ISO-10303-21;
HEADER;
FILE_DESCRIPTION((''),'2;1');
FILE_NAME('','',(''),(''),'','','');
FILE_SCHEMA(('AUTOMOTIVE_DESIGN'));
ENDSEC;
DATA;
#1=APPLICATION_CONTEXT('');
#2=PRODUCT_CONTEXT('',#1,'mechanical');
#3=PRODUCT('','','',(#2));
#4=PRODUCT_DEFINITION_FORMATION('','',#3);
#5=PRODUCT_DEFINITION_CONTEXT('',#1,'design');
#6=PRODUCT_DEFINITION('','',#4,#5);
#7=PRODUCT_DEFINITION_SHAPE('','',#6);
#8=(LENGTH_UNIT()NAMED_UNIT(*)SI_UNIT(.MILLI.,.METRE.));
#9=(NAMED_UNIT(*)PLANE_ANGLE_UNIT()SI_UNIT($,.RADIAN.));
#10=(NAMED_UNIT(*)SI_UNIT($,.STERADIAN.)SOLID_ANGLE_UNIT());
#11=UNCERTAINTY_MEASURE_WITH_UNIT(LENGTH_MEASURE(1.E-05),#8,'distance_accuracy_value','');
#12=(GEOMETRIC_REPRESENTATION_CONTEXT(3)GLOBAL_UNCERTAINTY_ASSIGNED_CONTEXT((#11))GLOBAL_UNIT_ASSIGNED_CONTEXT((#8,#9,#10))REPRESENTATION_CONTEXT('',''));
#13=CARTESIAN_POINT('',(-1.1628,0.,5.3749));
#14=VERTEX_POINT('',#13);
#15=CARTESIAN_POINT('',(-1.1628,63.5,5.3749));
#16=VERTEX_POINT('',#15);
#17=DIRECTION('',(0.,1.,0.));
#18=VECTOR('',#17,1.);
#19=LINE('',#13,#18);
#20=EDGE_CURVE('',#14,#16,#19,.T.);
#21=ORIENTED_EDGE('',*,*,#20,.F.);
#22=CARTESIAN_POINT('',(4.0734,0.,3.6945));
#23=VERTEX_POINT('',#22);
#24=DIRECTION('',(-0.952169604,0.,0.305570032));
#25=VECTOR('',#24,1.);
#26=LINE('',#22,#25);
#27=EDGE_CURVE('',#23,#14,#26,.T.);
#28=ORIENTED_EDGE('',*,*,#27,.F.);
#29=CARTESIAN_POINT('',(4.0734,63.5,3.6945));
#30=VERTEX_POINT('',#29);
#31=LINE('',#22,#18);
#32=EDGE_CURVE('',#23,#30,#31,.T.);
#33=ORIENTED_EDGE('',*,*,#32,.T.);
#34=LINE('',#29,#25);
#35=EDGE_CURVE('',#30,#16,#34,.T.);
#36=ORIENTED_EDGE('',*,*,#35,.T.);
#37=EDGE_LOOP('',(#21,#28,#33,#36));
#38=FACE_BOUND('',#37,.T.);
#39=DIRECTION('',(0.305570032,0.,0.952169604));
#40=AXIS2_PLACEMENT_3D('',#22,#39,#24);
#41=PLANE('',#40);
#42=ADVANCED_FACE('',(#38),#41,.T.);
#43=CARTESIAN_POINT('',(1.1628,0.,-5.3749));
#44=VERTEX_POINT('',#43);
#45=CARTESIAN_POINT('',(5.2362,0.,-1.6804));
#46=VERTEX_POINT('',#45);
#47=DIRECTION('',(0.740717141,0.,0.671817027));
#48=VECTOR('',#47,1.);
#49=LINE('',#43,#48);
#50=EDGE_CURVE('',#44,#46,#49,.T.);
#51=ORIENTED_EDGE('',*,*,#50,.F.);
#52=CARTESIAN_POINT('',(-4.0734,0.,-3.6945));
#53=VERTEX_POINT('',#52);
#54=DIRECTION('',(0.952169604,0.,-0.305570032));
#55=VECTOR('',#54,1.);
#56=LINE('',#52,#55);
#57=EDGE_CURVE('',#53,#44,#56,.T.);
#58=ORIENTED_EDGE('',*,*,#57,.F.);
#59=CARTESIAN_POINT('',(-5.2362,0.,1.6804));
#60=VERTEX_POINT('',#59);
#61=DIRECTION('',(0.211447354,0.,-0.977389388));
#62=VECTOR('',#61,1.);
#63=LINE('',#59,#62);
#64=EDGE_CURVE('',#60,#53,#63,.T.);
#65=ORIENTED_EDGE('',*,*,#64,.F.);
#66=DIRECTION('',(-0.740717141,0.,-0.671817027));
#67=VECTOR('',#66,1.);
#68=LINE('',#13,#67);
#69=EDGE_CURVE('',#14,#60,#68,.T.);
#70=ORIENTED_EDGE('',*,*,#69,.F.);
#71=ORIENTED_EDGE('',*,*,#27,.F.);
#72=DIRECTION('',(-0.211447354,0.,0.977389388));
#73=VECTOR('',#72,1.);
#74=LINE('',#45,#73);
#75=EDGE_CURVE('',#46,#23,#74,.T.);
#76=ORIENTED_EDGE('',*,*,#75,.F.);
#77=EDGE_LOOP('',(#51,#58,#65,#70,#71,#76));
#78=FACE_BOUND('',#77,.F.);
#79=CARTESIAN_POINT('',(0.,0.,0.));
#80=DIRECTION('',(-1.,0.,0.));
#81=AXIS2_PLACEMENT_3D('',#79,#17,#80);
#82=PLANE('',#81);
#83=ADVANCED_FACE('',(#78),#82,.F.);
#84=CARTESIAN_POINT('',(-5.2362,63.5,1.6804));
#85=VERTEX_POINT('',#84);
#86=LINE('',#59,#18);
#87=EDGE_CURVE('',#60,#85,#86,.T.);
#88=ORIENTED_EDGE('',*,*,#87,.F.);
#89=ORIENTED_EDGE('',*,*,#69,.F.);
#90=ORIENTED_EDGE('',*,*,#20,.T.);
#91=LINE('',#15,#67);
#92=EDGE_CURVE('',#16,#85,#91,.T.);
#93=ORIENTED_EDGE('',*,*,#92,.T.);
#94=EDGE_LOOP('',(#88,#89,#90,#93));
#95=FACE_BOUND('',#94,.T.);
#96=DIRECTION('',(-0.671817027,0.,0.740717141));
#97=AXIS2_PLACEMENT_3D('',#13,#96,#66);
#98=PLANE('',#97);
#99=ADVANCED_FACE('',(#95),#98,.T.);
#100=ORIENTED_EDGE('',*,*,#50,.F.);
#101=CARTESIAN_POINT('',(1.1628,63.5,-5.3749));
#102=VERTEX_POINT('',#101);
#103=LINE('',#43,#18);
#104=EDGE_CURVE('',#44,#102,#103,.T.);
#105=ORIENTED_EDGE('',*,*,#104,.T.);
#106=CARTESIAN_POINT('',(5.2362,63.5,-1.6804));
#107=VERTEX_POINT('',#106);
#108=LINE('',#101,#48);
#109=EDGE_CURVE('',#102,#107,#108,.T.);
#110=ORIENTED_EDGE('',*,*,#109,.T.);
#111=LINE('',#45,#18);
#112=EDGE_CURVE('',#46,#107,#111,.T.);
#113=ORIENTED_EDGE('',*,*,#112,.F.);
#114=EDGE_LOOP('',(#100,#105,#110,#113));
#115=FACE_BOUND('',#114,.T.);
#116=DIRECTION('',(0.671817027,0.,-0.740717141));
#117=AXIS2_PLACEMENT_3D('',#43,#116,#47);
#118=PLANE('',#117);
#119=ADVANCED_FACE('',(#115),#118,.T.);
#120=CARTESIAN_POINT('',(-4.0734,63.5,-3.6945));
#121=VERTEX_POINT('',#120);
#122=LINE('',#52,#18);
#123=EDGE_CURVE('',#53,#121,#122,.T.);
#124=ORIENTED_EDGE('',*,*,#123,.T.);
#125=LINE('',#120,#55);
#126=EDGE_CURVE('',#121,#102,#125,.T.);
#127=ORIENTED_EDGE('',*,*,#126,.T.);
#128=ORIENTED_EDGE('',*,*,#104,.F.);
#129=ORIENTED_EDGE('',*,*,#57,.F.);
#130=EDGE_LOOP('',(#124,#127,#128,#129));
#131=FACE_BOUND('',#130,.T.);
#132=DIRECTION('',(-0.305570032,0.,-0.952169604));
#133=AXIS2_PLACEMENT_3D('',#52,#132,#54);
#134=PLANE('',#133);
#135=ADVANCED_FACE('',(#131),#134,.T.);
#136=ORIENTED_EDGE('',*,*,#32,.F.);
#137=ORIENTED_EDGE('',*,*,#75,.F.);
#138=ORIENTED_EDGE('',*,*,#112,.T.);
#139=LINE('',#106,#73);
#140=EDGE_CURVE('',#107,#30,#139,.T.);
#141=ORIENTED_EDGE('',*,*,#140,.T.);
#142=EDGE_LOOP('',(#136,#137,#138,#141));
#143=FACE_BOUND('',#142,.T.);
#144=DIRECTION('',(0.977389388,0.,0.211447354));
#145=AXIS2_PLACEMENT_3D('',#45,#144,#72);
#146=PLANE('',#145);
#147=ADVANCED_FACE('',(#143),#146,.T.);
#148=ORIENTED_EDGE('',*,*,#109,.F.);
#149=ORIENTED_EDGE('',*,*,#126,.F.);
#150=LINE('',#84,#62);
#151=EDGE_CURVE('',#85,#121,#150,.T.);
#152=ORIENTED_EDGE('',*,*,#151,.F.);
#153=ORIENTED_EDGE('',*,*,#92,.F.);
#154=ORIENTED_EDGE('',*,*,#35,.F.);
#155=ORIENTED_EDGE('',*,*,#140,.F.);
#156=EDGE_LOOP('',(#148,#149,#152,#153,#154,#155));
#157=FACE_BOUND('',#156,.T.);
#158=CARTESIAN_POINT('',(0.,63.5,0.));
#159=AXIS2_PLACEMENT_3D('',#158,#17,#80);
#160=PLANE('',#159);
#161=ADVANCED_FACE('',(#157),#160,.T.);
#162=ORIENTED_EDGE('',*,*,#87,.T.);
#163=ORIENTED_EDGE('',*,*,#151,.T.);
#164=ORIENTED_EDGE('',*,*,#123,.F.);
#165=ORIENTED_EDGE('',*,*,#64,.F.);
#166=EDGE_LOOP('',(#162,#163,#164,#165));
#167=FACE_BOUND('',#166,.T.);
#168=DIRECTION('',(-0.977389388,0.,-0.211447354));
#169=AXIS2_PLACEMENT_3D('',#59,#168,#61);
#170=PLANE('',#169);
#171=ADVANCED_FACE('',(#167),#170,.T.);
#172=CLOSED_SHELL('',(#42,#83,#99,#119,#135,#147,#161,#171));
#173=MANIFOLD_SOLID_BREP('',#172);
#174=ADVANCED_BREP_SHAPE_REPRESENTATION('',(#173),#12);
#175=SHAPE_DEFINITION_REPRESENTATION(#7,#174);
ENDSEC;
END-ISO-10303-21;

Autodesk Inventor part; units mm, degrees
ref_plane "YZ Plane" through (0, 0, 0) normal (1, 0, 0) x (0, 1, 0)
ref_plane "XZ Plane" through (0, 0, 0) normal (0, 1, 0) x (-1, 0, 0)
ref_plane "XY Plane" through (0, 0, 0) normal (0, 0, 1) x (1, 0, 0)
sketch "Sketch1" plane through (0, 0, 0) normal (0, 1, 0) x (-1, 0, 0)
  line L0 (1.1628, 5.3749) -> (5.2362, 1.6804)
  line L1 (5.2362, 1.6804) -> (4.0734, -3.6945)
  line L2 (4.0734, -3.6945) -> (-1.1628, -5.3749)
  line L3 (-1.1628, -5.3749) -> (-5.2362, -1.6804)
  line L4 (-5.2362, -1.6804) -> (-4.0734, 3.6945)
  line L5 (-4.0734, 3.6945) -> (1.1628, 5.3749)
  point P0 (0, 0)
  point P1 (0, 0)
  dimension "d0" = 9.525
extrude "Extrusion1" add sketch "Sketch1" along normal blind 63.5
properties part number "Dex shaft"
